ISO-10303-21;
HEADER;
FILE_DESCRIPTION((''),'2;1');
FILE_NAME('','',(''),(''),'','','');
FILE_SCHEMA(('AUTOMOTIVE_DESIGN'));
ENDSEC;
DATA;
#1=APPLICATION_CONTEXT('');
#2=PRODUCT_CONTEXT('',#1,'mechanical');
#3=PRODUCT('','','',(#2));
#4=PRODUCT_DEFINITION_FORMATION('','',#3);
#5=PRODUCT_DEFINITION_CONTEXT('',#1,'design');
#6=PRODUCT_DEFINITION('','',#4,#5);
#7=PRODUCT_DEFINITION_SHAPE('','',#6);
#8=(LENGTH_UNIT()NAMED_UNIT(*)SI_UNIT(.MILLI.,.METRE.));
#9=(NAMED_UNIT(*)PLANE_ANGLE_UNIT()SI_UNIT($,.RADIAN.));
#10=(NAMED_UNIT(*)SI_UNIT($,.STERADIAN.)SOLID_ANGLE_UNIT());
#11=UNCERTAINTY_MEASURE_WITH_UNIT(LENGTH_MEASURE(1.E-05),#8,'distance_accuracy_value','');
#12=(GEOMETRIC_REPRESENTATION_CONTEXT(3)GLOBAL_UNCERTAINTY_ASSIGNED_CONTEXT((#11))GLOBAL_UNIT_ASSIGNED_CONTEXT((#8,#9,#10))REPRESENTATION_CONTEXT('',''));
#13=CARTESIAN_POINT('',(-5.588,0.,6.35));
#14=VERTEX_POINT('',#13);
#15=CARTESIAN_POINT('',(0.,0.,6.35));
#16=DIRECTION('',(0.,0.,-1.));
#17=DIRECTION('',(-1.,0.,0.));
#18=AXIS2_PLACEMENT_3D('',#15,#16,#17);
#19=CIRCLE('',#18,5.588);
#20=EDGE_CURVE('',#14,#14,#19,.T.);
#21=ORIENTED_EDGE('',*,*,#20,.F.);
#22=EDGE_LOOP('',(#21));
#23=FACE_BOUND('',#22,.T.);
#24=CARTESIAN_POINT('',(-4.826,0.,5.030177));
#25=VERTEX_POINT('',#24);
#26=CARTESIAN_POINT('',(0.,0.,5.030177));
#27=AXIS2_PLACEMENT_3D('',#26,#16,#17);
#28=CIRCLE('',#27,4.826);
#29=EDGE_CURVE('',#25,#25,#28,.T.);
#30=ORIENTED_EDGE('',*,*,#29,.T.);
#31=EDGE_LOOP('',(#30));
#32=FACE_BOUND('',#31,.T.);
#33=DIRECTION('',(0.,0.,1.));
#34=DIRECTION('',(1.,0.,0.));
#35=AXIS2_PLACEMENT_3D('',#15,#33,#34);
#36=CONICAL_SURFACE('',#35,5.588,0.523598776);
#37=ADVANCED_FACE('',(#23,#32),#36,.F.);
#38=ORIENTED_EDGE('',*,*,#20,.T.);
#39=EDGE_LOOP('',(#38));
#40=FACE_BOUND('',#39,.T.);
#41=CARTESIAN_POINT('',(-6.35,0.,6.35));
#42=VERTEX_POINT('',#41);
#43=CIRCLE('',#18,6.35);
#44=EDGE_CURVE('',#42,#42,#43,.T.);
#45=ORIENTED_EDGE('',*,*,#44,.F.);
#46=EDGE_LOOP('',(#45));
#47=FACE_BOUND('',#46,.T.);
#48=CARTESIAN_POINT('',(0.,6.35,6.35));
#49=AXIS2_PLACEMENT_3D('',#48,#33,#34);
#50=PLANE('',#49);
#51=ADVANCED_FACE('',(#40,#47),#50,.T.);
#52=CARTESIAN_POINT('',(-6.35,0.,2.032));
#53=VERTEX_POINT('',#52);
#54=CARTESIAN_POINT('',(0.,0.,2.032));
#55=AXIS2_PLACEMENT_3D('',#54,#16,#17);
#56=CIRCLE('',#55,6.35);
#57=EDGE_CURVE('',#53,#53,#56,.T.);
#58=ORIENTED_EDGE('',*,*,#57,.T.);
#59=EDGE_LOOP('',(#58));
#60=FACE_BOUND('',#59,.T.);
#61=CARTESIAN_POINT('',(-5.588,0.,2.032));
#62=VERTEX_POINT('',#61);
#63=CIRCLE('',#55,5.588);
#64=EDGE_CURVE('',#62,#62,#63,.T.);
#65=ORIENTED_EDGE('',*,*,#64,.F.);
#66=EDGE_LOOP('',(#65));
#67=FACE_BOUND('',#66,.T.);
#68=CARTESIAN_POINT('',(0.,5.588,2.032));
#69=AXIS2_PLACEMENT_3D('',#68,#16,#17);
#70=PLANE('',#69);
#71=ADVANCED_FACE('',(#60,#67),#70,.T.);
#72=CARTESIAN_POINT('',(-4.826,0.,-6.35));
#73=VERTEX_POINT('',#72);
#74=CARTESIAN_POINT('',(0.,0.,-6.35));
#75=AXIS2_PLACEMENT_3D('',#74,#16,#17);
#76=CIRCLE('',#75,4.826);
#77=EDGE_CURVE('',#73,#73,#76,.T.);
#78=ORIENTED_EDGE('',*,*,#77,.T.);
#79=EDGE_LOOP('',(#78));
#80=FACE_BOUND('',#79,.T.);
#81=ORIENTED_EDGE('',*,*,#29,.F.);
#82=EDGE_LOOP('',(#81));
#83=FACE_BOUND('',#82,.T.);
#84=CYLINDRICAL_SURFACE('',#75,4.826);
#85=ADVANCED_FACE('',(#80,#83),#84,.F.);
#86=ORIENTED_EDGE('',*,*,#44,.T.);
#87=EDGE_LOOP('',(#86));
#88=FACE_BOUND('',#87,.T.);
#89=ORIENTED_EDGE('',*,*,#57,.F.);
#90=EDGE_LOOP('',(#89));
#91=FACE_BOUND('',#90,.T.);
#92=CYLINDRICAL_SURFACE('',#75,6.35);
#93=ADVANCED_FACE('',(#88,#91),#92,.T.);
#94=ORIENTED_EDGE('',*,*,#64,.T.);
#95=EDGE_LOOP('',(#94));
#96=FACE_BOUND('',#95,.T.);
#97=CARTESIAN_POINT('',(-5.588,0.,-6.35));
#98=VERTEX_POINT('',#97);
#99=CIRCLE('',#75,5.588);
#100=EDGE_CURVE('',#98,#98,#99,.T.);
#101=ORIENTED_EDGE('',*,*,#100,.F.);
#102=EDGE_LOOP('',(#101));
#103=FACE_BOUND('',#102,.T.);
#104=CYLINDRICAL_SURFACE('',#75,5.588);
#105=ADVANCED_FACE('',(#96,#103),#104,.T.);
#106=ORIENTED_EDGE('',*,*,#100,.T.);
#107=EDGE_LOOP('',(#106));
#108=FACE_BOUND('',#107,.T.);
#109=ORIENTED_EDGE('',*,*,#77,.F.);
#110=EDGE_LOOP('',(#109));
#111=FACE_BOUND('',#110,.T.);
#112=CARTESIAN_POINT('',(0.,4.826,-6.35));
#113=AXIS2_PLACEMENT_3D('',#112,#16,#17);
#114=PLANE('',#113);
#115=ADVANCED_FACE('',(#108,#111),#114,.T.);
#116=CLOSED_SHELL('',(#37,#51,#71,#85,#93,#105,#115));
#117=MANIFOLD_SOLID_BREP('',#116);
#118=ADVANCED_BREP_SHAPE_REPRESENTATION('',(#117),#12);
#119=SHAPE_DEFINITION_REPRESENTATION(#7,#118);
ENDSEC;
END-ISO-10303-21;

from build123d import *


with BuildPart() as part:
    # Sketch1 → Revolve1 (revolve)
    with BuildSketch(Plane(origin=(0, 0, 0), x_dir=(0, 0, -1), z_dir=(1, 0, 0)), mode=Mode.PRIVATE) as revolve1_sk:
        Polygon((-6.35, 5.588), (-5.030177285, 4.826), (6.35, 4.826), (6.35, 5.588), (-2.032, 5.588), (-2.032, 6.35), (-6.35, 6.35), align=None)
    revolve(revolve1_sk.sketch.rotate(Axis((0, 0, -6.35), (0, 0, 1)), 90), axis=Axis((0, 0, -6.35), (0, 0, 1)))


solid = part.part
